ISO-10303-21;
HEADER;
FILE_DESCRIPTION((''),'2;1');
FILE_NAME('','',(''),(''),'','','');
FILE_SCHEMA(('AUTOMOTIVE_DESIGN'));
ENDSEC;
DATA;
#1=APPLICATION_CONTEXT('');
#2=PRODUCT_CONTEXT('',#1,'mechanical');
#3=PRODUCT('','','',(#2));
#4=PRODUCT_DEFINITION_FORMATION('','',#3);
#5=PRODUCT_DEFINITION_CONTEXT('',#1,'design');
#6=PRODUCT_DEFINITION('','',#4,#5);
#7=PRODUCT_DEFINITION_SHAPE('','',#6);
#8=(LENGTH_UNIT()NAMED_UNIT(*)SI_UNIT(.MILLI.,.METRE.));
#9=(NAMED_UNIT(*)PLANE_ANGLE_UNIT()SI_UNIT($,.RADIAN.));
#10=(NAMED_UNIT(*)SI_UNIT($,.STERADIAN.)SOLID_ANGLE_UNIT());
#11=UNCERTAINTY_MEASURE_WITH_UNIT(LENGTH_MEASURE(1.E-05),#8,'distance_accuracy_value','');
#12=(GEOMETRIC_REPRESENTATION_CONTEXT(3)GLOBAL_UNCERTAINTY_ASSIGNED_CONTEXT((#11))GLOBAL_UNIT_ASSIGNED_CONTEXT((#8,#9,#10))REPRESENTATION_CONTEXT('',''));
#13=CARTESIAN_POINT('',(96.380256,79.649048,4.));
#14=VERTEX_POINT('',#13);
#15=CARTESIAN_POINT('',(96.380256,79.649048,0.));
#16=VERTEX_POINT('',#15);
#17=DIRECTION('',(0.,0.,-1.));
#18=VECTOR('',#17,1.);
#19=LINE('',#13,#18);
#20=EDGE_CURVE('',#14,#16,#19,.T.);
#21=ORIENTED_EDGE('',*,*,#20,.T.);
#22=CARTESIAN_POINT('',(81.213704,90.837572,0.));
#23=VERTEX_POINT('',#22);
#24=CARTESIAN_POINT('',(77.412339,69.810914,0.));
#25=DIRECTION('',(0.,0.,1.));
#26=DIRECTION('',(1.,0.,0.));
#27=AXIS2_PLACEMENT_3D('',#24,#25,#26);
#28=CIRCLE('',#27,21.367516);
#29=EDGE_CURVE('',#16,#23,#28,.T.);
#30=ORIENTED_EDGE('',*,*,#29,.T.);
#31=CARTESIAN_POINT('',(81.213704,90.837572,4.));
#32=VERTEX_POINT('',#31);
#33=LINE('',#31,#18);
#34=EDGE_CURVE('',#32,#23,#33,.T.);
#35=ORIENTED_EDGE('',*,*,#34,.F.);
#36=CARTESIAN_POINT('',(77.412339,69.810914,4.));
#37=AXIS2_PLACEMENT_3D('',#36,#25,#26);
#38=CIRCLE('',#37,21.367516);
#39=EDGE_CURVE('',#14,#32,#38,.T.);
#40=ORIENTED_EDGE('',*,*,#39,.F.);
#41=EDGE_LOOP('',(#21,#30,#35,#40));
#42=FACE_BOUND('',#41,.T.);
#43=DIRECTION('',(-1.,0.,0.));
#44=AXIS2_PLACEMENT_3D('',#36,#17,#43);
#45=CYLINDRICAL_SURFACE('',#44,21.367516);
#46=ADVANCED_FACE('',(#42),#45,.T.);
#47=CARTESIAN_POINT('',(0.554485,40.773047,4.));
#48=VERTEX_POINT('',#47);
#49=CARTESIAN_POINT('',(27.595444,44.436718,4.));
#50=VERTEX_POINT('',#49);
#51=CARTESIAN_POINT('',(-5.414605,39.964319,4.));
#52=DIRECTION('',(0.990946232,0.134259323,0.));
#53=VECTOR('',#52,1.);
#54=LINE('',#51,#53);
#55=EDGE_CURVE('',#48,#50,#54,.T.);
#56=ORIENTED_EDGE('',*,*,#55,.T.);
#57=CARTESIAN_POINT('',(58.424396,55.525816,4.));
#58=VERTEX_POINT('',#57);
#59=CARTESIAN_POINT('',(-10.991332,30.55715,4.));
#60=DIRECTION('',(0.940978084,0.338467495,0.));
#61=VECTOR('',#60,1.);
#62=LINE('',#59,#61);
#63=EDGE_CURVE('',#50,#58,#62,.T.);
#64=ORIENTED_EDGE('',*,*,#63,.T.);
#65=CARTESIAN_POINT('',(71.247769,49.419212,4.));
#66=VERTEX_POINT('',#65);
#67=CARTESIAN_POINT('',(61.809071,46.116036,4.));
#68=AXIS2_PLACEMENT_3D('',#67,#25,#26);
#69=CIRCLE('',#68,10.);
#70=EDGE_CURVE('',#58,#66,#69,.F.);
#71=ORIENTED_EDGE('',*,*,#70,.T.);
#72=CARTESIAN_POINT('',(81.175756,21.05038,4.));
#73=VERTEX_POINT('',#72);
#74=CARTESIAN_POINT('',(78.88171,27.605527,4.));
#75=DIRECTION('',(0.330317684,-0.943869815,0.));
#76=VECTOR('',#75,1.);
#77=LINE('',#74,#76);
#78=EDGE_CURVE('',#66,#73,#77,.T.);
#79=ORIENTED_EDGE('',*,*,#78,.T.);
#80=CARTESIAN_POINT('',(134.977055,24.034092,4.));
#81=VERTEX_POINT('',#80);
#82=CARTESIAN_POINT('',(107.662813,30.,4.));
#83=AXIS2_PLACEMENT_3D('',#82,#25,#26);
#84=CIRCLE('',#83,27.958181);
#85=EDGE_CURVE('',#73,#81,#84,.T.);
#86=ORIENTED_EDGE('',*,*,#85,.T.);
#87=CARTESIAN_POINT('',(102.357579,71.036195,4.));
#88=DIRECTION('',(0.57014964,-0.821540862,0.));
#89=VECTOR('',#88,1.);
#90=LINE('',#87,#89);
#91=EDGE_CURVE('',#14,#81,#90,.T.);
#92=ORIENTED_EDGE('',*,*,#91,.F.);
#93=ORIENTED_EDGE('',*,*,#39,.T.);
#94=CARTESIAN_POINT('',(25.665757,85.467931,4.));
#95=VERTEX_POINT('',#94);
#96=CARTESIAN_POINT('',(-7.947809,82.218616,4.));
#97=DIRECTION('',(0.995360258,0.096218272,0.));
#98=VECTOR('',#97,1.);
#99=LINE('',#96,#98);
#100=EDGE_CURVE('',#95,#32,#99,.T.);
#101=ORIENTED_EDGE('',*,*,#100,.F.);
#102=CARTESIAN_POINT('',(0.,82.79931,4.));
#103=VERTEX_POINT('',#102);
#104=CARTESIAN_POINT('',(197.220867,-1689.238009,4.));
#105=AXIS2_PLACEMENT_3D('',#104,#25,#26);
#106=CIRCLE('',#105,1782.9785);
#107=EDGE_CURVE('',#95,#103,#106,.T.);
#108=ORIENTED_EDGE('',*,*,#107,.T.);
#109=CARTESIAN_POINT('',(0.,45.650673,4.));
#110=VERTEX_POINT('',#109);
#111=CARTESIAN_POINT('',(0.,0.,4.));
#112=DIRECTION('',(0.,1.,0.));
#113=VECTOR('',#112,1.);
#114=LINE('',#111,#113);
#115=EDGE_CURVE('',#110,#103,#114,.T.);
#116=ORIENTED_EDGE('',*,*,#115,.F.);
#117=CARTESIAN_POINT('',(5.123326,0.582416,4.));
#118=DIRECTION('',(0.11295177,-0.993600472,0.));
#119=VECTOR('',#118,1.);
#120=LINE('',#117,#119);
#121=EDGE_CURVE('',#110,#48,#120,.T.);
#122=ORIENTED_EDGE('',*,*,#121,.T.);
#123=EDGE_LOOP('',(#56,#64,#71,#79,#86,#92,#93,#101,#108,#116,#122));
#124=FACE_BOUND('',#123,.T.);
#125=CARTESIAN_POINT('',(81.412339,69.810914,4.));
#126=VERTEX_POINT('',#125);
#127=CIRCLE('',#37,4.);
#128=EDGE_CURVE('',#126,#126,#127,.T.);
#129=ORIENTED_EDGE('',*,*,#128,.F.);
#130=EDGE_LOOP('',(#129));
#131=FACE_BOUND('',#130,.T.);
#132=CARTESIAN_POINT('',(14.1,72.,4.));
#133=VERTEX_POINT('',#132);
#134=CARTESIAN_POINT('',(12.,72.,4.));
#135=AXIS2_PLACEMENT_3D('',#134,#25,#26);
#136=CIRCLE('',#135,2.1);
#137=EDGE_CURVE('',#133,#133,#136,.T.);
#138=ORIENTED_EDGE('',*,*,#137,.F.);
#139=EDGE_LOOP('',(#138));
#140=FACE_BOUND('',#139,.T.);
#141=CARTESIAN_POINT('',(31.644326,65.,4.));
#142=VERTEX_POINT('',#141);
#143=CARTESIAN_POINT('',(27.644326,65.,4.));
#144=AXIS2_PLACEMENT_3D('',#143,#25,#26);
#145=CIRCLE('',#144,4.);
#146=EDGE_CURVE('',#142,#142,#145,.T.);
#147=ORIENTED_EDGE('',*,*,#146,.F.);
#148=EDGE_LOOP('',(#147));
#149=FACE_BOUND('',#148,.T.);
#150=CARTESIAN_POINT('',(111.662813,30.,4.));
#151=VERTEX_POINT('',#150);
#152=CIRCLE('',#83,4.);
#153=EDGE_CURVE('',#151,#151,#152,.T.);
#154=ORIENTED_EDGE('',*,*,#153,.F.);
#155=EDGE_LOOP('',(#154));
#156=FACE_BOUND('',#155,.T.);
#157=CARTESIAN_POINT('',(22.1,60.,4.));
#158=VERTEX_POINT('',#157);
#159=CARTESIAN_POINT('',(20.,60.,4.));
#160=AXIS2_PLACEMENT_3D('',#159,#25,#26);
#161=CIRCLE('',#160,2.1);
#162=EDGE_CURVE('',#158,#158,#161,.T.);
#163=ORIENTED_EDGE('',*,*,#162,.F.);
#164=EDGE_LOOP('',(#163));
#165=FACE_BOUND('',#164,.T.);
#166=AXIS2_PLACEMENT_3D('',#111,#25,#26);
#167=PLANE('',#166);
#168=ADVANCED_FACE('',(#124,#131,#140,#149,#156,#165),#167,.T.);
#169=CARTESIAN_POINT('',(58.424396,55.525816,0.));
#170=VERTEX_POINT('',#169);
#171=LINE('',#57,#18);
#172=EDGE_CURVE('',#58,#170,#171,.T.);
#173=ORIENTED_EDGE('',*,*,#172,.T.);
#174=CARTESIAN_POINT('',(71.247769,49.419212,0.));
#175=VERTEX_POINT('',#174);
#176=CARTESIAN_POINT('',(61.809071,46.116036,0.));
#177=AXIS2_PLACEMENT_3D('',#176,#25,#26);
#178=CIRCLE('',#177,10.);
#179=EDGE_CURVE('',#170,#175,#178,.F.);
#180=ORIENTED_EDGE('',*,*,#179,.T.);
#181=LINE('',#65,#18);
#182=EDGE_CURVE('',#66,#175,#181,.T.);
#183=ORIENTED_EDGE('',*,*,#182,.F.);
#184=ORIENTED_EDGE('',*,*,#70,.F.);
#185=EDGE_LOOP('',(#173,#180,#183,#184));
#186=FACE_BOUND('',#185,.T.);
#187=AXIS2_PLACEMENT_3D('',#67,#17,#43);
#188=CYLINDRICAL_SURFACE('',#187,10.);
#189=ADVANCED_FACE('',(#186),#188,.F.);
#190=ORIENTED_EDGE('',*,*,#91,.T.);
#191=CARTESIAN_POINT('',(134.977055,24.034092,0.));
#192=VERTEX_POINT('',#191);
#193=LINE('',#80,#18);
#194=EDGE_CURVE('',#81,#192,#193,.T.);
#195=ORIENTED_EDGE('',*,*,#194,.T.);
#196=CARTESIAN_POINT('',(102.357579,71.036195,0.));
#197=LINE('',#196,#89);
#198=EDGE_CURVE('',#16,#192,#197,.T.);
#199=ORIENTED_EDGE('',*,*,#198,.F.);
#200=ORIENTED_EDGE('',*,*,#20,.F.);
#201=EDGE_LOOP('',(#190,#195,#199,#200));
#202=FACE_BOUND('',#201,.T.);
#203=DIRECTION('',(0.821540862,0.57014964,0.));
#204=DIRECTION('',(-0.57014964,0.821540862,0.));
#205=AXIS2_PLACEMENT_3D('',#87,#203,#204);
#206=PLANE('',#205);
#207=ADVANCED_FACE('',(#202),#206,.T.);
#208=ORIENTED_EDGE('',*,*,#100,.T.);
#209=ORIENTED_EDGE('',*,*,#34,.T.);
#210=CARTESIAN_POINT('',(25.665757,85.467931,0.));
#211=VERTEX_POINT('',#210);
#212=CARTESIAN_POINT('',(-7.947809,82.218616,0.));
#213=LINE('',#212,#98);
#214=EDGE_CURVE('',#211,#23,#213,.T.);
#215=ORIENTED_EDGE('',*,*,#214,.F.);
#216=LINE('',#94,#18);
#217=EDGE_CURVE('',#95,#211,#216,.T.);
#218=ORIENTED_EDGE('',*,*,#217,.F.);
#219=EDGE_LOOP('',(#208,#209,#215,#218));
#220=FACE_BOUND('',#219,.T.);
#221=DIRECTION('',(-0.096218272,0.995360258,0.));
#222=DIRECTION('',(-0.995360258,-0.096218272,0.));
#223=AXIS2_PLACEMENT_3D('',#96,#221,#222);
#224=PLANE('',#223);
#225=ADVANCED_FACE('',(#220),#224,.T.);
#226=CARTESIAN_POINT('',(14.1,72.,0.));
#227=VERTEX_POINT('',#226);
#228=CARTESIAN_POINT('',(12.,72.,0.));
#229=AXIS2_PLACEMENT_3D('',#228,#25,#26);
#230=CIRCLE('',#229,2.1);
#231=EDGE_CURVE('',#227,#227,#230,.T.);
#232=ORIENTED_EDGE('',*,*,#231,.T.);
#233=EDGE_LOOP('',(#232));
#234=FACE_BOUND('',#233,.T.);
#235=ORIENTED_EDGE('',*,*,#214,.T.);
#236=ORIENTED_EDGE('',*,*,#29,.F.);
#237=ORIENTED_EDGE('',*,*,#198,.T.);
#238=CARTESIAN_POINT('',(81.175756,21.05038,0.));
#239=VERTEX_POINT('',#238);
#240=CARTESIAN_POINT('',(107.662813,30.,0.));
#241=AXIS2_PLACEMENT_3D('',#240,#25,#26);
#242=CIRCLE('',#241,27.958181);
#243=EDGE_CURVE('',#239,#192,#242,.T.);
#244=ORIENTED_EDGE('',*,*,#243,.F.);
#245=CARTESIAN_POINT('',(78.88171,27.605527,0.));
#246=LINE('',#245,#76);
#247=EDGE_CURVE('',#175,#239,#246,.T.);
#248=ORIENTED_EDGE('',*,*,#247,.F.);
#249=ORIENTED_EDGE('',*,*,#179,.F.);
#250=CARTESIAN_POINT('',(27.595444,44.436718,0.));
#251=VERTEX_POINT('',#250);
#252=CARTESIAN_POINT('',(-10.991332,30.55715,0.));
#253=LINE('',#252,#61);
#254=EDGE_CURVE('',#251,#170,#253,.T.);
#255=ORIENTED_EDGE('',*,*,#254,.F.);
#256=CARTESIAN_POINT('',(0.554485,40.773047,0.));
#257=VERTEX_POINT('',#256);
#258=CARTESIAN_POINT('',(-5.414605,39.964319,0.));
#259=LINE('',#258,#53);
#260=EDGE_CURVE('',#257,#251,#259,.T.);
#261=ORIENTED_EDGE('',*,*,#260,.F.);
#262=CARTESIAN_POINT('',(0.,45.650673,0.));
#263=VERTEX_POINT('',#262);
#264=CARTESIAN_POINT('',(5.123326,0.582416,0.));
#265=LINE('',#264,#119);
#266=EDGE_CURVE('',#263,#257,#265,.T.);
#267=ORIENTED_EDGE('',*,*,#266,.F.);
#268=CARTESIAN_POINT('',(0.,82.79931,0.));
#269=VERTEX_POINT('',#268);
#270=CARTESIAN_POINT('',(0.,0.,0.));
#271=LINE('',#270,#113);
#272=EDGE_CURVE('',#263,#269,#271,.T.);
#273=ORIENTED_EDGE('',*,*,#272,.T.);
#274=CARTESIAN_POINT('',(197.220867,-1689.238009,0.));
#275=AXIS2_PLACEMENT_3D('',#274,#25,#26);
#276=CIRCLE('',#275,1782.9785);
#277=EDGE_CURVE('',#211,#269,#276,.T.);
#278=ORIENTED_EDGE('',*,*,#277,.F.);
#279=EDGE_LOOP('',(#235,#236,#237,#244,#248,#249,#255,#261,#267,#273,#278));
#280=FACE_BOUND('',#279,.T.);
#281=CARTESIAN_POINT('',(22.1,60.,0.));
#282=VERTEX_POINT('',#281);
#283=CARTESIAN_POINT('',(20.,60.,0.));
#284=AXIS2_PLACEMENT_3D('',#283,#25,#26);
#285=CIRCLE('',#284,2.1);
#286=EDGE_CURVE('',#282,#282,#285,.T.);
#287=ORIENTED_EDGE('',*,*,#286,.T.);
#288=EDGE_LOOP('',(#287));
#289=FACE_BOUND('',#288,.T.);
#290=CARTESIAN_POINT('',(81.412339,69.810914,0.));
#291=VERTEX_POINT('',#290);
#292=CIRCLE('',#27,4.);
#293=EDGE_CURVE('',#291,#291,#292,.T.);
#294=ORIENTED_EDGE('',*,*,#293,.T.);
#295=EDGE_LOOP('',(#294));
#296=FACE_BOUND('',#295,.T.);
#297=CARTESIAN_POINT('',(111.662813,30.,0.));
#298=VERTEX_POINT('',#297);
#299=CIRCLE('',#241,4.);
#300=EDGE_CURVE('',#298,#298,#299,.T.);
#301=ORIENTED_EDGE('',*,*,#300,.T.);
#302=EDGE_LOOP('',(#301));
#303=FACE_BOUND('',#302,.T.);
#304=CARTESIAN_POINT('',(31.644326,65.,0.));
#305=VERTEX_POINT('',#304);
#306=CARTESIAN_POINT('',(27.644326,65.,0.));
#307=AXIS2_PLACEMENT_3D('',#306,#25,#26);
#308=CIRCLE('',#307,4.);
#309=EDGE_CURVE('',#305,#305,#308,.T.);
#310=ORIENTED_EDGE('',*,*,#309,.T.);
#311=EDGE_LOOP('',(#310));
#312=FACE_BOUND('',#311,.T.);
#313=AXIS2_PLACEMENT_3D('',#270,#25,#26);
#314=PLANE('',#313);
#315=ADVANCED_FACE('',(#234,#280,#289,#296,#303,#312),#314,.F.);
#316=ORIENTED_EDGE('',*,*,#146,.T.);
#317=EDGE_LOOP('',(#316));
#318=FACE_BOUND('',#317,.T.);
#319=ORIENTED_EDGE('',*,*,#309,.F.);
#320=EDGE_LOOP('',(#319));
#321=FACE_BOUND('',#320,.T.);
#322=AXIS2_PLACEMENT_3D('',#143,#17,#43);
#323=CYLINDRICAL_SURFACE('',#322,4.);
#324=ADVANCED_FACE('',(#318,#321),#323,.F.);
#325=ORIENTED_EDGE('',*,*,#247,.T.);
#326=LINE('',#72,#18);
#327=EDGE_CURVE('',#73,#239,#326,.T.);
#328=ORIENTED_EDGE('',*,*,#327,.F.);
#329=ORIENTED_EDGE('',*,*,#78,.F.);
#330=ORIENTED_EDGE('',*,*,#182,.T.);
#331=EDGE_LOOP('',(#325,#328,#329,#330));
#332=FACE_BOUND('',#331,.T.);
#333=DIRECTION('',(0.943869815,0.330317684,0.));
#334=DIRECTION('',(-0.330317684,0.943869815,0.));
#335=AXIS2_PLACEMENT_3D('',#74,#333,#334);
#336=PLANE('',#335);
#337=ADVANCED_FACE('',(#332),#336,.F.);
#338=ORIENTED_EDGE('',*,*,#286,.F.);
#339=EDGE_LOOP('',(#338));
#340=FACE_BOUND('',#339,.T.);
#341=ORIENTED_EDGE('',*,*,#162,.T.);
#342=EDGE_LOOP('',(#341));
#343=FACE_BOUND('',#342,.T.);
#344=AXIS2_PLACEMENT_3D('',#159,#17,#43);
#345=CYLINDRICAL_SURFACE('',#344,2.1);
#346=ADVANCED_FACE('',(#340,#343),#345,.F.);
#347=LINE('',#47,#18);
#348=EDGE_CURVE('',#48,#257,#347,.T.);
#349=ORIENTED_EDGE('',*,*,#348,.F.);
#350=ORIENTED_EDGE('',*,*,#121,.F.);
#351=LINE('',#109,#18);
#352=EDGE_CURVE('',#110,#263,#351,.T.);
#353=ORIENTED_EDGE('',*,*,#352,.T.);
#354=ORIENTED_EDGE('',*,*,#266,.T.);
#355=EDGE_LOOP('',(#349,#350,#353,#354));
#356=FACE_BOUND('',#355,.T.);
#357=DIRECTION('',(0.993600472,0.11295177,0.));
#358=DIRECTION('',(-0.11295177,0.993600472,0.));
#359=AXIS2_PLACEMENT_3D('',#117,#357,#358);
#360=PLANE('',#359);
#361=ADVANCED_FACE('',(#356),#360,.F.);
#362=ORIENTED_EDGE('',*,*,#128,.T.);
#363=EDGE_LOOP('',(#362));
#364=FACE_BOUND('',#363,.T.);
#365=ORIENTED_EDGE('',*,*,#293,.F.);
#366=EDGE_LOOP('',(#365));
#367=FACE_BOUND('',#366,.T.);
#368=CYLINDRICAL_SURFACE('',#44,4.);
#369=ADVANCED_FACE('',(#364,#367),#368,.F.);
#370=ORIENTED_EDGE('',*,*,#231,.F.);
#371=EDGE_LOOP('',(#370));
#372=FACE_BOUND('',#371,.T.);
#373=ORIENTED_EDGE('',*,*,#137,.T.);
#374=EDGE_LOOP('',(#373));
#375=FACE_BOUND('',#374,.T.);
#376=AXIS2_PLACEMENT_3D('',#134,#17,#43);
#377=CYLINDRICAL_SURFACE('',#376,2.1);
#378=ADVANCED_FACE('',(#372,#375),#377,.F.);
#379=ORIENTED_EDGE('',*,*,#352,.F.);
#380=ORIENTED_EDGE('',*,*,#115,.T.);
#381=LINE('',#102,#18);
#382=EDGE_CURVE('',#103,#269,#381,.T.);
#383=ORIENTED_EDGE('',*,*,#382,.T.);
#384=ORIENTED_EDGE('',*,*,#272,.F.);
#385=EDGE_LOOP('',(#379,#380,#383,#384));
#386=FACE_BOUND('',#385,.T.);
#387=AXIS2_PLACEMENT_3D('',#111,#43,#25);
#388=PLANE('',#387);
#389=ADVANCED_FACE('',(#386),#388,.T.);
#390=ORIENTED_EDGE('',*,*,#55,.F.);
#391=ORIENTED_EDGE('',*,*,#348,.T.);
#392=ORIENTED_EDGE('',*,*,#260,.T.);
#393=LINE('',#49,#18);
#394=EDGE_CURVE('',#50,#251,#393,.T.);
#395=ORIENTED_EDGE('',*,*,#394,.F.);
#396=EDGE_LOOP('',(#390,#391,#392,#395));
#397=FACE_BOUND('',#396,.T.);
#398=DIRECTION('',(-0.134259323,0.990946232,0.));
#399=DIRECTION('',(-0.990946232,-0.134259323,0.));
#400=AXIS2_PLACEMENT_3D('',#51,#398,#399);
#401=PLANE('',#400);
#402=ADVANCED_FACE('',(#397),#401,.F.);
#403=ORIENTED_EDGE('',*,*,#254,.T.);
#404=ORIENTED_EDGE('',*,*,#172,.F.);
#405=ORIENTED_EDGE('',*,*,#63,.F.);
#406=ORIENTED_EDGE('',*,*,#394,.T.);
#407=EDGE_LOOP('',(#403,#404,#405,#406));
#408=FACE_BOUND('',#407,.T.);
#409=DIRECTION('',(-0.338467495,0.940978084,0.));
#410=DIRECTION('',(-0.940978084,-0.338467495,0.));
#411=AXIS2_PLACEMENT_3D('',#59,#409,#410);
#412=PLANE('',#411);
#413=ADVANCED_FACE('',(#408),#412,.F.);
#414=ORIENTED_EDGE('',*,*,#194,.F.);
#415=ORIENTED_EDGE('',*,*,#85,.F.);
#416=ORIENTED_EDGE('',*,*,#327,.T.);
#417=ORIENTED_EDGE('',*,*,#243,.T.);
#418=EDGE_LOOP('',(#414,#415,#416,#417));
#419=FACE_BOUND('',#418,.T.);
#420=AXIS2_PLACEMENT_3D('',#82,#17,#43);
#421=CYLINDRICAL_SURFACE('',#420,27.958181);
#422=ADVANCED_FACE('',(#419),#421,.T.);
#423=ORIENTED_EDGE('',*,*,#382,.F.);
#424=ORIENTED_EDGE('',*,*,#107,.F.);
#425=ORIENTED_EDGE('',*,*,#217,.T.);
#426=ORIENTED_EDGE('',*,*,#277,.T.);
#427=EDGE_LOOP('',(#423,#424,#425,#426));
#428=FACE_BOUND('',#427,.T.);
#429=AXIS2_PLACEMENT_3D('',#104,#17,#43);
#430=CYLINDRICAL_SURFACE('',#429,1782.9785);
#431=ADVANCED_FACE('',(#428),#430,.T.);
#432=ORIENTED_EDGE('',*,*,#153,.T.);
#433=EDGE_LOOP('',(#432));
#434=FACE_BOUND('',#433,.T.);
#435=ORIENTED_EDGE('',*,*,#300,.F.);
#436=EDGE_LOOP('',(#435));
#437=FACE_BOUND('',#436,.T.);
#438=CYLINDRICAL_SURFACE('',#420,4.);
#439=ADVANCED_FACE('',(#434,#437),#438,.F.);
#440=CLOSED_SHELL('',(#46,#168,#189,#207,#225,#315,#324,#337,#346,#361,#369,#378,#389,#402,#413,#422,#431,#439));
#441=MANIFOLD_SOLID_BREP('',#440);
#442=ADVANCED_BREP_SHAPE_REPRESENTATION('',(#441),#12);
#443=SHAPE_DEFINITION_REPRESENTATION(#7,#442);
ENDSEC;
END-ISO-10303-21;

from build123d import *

# Parameters (mm, degrees)
SKETCH_1_R      = 4
SKETCH_1_R_2    = 2.1
EXTRUDE_1_DEPTH = 4


with BuildPart() as part:
    # 草图1 → 凸台-拉伸1 (new body)
    with BuildSketch(Plane.XY):
        with BuildLine():
            Line((27.595444366, 44.436718371), (58.424396384, 55.525816351))
            ThreePointArc((58.424396384, 55.525816351), (66.108542504, 55.144576239), (71.247769486, 49.419212353))
            Line((71.247769486, 49.419212353), (81.175756204, 21.050380059))
            ThreePointArc((81.175756204, 21.050380059), (109.210938469, 2.084714208), (134.977054883, 24.034091663))
            Line((134.977054883, 24.034091663), (96.380255963, 79.649048221))
            ThreePointArc((96.380255963, 79.649048221), (90.097204959, 87.005823858), (81.213704463, 90.837572367))
            Line((81.213704463, 90.837572367), (25.665757334, 85.467931148))
            ThreePointArc((25.665757334, 85.467931148), (12.828050908, 84.180051983), (0, 82.799309813))
            Line((0, 82.799309813), (0, 45.6506733))
            Line((0, 45.6506733), (0.554484915, 40.773047428))
            Line((0.554484915, 40.773047428), (27.595444366, 44.436718371))
        make_face()
        with Locations((27.644326344, 65)):
            Circle(SKETCH_1_R, mode=Mode.SUBTRACT)
        with Locations((107.662812973, 30)):
            Circle(SKETCH_1_R, mode=Mode.SUBTRACT)
        with Locations((77.412339268, 69.810913587)):
            Circle(SKETCH_1_R, mode=Mode.SUBTRACT)
        with Locations((20, 60)):
            Circle(SKETCH_1_R_2, mode=Mode.SUBTRACT)
        with Locations((12, 72)):
            Circle(SKETCH_1_R_2, mode=Mode.SUBTRACT)
    extrude(amount=EXTRUDE_1_DEPTH)


solid = part.part
